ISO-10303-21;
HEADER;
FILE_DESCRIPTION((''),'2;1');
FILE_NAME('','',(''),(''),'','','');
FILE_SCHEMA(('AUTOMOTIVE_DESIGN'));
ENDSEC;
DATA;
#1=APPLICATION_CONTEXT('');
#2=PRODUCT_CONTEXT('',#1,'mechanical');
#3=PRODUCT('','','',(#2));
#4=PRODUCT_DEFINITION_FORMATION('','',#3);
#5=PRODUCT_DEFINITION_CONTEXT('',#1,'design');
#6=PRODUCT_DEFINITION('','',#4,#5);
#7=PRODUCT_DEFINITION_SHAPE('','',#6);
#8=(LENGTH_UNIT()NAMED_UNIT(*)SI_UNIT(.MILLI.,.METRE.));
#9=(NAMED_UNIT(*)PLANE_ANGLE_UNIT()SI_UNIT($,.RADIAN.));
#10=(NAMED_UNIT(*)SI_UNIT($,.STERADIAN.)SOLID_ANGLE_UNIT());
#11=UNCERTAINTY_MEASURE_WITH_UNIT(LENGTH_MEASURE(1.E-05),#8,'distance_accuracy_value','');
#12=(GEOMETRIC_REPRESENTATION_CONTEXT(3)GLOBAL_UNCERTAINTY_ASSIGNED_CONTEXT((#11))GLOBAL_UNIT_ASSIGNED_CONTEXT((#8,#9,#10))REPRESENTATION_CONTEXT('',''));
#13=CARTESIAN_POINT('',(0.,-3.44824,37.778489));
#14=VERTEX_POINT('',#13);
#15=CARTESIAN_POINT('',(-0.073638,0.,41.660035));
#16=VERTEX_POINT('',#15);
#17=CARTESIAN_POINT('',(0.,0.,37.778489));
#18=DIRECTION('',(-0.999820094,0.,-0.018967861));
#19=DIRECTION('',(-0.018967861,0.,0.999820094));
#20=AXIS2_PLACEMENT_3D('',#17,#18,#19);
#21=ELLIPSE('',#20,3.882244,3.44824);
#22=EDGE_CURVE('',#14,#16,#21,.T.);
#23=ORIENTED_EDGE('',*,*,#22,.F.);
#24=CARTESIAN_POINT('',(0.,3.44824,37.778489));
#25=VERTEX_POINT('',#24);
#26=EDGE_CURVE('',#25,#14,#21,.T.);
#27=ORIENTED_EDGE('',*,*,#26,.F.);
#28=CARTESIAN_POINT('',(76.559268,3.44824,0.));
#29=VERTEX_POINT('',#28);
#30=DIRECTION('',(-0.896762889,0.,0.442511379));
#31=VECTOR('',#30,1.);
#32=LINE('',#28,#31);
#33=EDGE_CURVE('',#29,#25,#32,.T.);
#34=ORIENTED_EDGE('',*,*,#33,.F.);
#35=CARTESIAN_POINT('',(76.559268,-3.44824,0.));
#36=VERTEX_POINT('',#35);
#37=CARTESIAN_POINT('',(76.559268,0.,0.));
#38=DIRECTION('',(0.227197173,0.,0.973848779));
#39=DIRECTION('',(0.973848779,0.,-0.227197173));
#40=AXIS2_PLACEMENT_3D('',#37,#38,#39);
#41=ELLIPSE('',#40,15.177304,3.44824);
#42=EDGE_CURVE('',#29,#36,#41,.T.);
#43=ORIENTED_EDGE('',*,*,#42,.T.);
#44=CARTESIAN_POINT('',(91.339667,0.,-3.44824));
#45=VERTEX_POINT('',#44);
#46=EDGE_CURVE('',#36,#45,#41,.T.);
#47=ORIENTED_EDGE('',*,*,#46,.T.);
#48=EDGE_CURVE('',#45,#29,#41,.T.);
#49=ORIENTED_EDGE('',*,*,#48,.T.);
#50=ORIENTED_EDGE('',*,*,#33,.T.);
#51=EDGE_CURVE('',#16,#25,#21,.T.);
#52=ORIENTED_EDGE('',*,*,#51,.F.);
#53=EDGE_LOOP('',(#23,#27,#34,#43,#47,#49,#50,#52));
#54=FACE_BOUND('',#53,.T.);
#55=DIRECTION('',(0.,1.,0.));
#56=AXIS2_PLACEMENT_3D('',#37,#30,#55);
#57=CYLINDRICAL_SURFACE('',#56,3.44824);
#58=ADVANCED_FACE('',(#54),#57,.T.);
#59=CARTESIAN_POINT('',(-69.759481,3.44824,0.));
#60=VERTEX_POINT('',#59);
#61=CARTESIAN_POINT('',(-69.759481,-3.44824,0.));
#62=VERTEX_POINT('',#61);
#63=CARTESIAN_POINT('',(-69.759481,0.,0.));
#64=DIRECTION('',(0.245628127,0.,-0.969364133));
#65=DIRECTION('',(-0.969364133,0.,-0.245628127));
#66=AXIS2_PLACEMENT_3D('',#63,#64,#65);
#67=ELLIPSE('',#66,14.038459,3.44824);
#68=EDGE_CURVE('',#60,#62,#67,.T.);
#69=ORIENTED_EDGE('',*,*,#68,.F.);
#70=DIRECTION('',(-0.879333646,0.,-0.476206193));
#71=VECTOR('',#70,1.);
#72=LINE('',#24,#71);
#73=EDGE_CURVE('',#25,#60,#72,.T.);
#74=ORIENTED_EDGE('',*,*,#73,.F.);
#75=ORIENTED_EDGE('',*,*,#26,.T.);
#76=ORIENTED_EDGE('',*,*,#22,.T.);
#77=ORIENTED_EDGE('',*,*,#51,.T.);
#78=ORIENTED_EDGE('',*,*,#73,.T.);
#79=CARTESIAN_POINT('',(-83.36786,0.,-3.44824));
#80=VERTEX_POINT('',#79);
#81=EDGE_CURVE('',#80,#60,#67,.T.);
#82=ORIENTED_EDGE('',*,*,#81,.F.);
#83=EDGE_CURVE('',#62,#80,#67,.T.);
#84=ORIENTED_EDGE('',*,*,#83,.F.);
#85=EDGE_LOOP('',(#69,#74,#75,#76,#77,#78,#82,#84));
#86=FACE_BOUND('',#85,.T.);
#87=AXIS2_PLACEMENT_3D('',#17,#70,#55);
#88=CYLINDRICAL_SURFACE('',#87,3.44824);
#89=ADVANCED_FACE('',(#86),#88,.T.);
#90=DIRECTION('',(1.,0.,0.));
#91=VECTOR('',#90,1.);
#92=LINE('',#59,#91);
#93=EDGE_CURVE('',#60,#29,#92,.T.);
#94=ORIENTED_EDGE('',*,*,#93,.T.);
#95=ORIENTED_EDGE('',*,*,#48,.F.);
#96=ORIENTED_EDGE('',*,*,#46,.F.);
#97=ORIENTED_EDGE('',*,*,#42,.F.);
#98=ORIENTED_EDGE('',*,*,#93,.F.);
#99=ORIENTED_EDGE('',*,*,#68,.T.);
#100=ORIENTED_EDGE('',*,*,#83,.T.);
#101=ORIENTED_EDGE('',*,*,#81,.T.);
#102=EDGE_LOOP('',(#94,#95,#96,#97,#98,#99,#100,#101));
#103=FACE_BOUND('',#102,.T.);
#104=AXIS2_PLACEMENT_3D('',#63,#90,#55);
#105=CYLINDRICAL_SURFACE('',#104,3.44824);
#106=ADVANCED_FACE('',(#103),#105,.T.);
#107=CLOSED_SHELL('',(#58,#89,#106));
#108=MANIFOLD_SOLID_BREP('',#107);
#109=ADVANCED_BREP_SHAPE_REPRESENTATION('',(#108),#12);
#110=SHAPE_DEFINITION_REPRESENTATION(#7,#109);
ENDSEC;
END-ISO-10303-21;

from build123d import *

# Parameters (mm, degrees)
F1_R = 3.4482404655


with BuildPart() as f2:
    # F2: sweep along a path in F0
    with BuildLine(Plane.XZ) as f2_path:
        Line((-69.7594806552, 0), (76.5592679381, 0))
        Line((76.5592679381, 0), (0, 37.7784892917))
        Line((0, 37.7784892917), (-69.7594806552, 0))
    # F1 (on Right) → F2 (sweep)
    with BuildSketch(Plane.YZ):
        Circle(F1_R)
    sweep(path=f2_path.line, transition=Transition.RIGHT)


solid = f2.part
